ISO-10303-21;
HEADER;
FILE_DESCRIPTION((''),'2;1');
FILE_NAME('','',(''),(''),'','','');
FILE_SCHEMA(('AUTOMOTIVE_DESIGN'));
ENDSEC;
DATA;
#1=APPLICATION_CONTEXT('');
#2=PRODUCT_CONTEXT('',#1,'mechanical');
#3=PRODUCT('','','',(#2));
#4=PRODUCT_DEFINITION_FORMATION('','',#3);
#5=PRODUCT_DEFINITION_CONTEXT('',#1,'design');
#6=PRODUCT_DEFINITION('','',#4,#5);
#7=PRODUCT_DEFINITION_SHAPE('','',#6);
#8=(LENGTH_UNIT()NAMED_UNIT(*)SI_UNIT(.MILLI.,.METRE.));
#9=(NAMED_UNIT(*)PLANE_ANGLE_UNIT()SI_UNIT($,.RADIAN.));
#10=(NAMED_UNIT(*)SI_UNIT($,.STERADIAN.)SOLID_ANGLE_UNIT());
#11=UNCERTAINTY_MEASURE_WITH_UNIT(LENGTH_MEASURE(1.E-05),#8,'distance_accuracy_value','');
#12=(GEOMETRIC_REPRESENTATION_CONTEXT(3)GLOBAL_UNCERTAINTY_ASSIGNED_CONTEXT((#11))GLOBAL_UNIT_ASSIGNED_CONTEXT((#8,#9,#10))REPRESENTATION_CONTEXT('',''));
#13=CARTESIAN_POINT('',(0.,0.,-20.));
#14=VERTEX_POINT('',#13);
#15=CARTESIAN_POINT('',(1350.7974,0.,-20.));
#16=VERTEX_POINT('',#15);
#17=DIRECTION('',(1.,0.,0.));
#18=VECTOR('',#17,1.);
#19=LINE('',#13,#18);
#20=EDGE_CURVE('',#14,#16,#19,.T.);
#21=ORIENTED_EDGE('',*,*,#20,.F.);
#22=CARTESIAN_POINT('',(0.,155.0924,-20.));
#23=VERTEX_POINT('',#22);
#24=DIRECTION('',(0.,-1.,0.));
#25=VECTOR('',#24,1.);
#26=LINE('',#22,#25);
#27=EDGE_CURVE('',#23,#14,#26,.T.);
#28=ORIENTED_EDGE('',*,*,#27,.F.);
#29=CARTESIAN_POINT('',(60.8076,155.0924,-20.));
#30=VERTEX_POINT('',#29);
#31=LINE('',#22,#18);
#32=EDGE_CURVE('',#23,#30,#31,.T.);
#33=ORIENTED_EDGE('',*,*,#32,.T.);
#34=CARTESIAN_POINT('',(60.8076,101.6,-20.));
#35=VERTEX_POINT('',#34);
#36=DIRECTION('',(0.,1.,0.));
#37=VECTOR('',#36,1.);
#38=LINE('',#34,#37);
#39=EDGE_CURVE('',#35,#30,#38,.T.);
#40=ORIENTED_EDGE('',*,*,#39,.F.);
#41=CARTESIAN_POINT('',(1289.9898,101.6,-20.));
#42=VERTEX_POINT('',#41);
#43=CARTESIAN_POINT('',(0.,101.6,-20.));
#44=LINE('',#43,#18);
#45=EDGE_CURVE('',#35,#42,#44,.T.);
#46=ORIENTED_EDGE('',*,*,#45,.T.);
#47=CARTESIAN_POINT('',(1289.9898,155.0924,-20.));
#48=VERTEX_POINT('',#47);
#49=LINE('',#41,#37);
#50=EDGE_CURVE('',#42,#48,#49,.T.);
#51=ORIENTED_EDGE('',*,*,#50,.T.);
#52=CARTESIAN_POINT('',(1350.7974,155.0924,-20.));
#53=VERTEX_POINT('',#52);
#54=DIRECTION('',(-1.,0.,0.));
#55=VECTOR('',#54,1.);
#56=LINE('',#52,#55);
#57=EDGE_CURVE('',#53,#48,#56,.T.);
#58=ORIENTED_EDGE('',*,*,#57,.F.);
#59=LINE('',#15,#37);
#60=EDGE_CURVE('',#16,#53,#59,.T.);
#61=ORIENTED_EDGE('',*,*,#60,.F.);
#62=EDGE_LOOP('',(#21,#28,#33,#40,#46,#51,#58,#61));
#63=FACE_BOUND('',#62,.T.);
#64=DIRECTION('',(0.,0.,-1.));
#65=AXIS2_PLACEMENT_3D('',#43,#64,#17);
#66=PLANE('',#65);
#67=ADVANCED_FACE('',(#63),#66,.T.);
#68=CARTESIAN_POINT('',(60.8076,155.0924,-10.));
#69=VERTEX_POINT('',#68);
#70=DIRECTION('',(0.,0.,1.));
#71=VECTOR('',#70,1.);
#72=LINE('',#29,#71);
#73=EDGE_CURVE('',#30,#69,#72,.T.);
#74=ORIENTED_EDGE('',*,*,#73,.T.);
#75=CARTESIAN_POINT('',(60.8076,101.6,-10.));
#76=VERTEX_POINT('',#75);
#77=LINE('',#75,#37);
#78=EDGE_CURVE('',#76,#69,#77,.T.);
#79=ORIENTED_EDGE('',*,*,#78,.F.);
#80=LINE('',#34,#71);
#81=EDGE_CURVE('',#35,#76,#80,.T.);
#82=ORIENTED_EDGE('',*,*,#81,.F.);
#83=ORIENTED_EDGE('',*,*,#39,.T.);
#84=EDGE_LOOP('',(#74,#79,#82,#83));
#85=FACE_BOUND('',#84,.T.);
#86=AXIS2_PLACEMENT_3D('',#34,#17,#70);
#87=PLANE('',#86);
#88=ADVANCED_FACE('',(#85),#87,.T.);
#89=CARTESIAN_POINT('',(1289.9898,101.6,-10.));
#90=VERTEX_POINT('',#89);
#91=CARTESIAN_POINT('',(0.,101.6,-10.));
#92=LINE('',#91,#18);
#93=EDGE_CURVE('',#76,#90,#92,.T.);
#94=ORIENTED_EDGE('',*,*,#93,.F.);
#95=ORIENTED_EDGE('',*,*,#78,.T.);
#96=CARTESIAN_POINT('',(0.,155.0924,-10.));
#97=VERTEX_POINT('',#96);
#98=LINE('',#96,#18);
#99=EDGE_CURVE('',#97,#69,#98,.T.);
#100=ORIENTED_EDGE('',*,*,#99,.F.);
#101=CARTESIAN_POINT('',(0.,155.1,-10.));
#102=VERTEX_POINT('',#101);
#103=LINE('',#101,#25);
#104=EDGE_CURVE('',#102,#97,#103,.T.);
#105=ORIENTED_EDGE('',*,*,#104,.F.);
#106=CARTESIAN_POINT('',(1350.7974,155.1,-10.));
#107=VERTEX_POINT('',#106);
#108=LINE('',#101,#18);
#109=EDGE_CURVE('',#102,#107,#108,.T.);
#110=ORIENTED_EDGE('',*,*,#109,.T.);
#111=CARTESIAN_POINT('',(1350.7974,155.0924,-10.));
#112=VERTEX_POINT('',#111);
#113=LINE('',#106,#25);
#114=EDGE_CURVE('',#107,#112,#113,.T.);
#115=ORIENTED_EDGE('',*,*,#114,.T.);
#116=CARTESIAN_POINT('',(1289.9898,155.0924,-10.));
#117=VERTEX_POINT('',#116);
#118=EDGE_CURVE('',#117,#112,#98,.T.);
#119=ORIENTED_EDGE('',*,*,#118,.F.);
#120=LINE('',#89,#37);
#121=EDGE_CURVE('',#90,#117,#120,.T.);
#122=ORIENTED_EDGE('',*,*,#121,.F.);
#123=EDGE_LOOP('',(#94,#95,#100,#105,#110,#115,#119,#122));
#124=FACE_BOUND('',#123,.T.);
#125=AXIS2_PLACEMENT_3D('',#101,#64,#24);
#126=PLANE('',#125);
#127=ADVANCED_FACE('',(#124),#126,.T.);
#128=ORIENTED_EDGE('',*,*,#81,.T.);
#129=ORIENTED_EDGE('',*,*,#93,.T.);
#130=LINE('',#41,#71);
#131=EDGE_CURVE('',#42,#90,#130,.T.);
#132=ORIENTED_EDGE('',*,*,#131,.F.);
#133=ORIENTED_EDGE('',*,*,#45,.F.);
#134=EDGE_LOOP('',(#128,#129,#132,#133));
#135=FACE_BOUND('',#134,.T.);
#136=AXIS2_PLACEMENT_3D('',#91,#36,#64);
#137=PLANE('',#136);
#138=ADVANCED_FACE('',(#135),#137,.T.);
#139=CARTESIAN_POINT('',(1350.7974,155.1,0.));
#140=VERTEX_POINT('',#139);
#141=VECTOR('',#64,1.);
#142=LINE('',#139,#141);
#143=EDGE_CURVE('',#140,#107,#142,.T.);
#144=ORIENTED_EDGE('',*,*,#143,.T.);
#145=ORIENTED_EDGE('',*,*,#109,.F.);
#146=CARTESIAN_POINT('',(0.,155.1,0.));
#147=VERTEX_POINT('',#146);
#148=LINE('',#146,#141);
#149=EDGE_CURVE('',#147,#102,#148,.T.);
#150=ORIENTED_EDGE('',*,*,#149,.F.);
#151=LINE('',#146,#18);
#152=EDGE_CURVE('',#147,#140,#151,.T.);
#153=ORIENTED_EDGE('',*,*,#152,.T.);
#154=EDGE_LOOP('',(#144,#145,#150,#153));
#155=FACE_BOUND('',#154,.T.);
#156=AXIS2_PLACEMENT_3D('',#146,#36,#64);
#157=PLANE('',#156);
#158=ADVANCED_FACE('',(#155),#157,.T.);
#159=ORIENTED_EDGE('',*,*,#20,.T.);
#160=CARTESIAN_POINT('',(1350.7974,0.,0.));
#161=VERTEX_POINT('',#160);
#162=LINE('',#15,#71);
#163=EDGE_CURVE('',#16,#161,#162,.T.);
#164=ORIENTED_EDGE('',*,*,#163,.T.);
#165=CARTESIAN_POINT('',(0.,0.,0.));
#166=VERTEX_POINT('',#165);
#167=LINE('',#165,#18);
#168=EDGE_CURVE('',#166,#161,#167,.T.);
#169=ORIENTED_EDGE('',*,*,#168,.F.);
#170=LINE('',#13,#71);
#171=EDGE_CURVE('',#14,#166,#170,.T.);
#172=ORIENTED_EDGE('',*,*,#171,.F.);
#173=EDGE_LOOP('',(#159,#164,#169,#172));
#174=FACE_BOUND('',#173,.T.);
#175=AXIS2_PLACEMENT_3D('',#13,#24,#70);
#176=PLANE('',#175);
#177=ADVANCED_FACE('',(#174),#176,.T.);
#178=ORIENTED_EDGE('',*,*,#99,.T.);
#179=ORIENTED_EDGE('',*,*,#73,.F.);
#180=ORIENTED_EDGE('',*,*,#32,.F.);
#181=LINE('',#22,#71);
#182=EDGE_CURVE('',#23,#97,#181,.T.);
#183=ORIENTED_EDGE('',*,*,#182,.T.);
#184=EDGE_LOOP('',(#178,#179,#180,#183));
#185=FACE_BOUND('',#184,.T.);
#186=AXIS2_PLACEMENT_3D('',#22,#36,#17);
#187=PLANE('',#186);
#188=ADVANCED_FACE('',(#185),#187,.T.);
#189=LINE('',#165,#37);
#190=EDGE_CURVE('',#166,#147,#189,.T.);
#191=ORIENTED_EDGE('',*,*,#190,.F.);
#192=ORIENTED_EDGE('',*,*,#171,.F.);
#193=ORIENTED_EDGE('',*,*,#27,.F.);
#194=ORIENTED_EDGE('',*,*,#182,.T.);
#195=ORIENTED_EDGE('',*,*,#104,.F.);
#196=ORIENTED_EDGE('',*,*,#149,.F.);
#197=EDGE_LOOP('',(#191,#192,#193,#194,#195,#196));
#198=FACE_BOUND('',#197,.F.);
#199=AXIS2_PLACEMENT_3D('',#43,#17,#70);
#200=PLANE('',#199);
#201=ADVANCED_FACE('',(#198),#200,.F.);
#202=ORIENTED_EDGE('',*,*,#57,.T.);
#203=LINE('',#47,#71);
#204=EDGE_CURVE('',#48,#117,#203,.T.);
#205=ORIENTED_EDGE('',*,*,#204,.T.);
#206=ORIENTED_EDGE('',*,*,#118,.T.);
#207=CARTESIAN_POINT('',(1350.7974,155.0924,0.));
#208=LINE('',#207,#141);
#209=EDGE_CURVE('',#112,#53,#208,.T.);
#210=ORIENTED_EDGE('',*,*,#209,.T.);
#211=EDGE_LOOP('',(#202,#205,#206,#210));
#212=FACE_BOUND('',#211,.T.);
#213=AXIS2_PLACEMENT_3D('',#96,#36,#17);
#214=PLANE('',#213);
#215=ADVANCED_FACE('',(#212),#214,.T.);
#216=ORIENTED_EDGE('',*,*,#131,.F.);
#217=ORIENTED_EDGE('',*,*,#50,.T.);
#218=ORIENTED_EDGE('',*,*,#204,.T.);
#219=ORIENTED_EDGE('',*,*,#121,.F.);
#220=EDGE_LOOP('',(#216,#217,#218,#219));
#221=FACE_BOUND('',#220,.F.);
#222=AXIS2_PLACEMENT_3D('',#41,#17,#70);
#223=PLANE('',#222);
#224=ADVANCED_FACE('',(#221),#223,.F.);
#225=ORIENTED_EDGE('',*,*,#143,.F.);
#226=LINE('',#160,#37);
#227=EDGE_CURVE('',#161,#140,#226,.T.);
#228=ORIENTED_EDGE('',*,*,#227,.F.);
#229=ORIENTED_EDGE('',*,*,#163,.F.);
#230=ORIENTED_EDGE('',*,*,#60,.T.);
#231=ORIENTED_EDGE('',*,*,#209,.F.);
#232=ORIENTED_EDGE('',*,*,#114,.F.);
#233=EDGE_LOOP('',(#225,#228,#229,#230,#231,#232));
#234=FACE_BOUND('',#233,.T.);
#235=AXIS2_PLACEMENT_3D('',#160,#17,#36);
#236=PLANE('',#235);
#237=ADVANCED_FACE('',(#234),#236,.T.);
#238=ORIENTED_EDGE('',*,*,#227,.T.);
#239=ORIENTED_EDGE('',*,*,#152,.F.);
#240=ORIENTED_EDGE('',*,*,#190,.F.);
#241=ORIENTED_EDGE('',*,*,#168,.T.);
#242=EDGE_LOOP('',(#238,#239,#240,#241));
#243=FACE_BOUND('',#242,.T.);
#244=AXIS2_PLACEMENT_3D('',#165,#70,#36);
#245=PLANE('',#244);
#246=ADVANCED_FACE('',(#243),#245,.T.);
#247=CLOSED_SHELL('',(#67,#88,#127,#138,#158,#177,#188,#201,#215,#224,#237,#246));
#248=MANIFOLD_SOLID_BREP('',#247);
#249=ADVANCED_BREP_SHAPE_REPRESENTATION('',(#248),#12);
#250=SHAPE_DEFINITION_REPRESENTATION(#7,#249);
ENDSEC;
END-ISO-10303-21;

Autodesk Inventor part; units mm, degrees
ref_plane "YZ Plane" through (0, 0, 0) normal (1, 0, 0) x (0, 1, 0)
ref_plane "XZ Plane" through (0, 0, 0) normal (0, 1, 0) x (-1, 0, 0)
ref_plane "XY Plane" through (0, 0, 0) normal (0, 0, 1) x (1, 0, 0)
sketch "Sketch1" plane through (0, 0, 0) normal (1, 0, 0) x (0, 1, 0)
  line L0 (0, 0) -> (155.1, 0)
  line L1 (155.1, 0) -> (155.1, -10)
  line L2 (0, -20) -> (0, 0)
  line L3 (155.1, -10) -> (101.6, -10)
  line L4 (101.6, -10) -> (101.6, -20)
  line L5 (101.6, -20) -> (0, -20)
  dimension "d3" = 53.5
  dimension "d4" = 155.1
  dimension "d5" = 10
  dimension "d6" = 10
  dimension "d7" = 20
  dimension "d18" = 101.6
extrude "Extrusion1" add sketch "Sketch1" along normal blind 1350.7974
sketch "Sketch3" plane through (0, 101.6, -10) normal (0, 1, 0) x (1, 0, 0)
  line L0 (1350.7974, -10) -> (1350.7974, 10) projected
  line L1 (1350.7974, 10) -> (1289.9898, 10)
  line L2 (1289.9898, 10) -> (1289.9898, 0)
  line L3 (0, 0) -> (1350.7974, 0) projected
  line L4 (0, 10) -> (0, -10) projected
  line L5 (0, 10) -> (60.8076, 10)
  line L6 (60.8076, 10) -> (60.8076, 0)
  dimension "d19" = 60.8076
  dimension "d20" = 60.8076
extrude "Extrusion2" add sketch "Sketch3" along normal blind 53.4924 contours L3 L2 L1 L0
sketch "Sketch4" plane through (0, 101.6, -20) normal (0, 1, 0) x (1, 0, 0)
  line L0 (1350.7974, -10) -> (1350.7974, 10)
  line L1 (1350.7974, 10) -> (1289.9898, 10)
  line L2 (1289.9898, 10) -> (1289.9898, 0)
  line L3 (0, 0) -> (1350.7974, 0)
  line L4 (0, 10) -> (60.8076, 10)
  line L5 (60.8076, 10) -> (60.8076, 0)
  line L6 (0, 10) -> (0, 0)
  line L7 (0, -20) -> (0, -10) projected
  line L8 (0, 0) -> (0, -20)
  line L9 (60.8076, 0) -> (60.8076, -10)
  line L10 (0, -10) -> (1350.7974, -10) projected
  line L11 (0, -10) -> (60.8076, -10)
  line L12 (0, -10) -> (0, 0)
  dimension "d23" = 60.8076
  dimension "d24" = 60.8076
  dimension "d25" = 10
  dimension "d26" = 20
extrude "Extrusion3" add sketch "Sketch4" along normal blind 53.4924 contours L10 L8 L3 L9
properties part number "SkinnySideL" material "Wood (Birch)"
